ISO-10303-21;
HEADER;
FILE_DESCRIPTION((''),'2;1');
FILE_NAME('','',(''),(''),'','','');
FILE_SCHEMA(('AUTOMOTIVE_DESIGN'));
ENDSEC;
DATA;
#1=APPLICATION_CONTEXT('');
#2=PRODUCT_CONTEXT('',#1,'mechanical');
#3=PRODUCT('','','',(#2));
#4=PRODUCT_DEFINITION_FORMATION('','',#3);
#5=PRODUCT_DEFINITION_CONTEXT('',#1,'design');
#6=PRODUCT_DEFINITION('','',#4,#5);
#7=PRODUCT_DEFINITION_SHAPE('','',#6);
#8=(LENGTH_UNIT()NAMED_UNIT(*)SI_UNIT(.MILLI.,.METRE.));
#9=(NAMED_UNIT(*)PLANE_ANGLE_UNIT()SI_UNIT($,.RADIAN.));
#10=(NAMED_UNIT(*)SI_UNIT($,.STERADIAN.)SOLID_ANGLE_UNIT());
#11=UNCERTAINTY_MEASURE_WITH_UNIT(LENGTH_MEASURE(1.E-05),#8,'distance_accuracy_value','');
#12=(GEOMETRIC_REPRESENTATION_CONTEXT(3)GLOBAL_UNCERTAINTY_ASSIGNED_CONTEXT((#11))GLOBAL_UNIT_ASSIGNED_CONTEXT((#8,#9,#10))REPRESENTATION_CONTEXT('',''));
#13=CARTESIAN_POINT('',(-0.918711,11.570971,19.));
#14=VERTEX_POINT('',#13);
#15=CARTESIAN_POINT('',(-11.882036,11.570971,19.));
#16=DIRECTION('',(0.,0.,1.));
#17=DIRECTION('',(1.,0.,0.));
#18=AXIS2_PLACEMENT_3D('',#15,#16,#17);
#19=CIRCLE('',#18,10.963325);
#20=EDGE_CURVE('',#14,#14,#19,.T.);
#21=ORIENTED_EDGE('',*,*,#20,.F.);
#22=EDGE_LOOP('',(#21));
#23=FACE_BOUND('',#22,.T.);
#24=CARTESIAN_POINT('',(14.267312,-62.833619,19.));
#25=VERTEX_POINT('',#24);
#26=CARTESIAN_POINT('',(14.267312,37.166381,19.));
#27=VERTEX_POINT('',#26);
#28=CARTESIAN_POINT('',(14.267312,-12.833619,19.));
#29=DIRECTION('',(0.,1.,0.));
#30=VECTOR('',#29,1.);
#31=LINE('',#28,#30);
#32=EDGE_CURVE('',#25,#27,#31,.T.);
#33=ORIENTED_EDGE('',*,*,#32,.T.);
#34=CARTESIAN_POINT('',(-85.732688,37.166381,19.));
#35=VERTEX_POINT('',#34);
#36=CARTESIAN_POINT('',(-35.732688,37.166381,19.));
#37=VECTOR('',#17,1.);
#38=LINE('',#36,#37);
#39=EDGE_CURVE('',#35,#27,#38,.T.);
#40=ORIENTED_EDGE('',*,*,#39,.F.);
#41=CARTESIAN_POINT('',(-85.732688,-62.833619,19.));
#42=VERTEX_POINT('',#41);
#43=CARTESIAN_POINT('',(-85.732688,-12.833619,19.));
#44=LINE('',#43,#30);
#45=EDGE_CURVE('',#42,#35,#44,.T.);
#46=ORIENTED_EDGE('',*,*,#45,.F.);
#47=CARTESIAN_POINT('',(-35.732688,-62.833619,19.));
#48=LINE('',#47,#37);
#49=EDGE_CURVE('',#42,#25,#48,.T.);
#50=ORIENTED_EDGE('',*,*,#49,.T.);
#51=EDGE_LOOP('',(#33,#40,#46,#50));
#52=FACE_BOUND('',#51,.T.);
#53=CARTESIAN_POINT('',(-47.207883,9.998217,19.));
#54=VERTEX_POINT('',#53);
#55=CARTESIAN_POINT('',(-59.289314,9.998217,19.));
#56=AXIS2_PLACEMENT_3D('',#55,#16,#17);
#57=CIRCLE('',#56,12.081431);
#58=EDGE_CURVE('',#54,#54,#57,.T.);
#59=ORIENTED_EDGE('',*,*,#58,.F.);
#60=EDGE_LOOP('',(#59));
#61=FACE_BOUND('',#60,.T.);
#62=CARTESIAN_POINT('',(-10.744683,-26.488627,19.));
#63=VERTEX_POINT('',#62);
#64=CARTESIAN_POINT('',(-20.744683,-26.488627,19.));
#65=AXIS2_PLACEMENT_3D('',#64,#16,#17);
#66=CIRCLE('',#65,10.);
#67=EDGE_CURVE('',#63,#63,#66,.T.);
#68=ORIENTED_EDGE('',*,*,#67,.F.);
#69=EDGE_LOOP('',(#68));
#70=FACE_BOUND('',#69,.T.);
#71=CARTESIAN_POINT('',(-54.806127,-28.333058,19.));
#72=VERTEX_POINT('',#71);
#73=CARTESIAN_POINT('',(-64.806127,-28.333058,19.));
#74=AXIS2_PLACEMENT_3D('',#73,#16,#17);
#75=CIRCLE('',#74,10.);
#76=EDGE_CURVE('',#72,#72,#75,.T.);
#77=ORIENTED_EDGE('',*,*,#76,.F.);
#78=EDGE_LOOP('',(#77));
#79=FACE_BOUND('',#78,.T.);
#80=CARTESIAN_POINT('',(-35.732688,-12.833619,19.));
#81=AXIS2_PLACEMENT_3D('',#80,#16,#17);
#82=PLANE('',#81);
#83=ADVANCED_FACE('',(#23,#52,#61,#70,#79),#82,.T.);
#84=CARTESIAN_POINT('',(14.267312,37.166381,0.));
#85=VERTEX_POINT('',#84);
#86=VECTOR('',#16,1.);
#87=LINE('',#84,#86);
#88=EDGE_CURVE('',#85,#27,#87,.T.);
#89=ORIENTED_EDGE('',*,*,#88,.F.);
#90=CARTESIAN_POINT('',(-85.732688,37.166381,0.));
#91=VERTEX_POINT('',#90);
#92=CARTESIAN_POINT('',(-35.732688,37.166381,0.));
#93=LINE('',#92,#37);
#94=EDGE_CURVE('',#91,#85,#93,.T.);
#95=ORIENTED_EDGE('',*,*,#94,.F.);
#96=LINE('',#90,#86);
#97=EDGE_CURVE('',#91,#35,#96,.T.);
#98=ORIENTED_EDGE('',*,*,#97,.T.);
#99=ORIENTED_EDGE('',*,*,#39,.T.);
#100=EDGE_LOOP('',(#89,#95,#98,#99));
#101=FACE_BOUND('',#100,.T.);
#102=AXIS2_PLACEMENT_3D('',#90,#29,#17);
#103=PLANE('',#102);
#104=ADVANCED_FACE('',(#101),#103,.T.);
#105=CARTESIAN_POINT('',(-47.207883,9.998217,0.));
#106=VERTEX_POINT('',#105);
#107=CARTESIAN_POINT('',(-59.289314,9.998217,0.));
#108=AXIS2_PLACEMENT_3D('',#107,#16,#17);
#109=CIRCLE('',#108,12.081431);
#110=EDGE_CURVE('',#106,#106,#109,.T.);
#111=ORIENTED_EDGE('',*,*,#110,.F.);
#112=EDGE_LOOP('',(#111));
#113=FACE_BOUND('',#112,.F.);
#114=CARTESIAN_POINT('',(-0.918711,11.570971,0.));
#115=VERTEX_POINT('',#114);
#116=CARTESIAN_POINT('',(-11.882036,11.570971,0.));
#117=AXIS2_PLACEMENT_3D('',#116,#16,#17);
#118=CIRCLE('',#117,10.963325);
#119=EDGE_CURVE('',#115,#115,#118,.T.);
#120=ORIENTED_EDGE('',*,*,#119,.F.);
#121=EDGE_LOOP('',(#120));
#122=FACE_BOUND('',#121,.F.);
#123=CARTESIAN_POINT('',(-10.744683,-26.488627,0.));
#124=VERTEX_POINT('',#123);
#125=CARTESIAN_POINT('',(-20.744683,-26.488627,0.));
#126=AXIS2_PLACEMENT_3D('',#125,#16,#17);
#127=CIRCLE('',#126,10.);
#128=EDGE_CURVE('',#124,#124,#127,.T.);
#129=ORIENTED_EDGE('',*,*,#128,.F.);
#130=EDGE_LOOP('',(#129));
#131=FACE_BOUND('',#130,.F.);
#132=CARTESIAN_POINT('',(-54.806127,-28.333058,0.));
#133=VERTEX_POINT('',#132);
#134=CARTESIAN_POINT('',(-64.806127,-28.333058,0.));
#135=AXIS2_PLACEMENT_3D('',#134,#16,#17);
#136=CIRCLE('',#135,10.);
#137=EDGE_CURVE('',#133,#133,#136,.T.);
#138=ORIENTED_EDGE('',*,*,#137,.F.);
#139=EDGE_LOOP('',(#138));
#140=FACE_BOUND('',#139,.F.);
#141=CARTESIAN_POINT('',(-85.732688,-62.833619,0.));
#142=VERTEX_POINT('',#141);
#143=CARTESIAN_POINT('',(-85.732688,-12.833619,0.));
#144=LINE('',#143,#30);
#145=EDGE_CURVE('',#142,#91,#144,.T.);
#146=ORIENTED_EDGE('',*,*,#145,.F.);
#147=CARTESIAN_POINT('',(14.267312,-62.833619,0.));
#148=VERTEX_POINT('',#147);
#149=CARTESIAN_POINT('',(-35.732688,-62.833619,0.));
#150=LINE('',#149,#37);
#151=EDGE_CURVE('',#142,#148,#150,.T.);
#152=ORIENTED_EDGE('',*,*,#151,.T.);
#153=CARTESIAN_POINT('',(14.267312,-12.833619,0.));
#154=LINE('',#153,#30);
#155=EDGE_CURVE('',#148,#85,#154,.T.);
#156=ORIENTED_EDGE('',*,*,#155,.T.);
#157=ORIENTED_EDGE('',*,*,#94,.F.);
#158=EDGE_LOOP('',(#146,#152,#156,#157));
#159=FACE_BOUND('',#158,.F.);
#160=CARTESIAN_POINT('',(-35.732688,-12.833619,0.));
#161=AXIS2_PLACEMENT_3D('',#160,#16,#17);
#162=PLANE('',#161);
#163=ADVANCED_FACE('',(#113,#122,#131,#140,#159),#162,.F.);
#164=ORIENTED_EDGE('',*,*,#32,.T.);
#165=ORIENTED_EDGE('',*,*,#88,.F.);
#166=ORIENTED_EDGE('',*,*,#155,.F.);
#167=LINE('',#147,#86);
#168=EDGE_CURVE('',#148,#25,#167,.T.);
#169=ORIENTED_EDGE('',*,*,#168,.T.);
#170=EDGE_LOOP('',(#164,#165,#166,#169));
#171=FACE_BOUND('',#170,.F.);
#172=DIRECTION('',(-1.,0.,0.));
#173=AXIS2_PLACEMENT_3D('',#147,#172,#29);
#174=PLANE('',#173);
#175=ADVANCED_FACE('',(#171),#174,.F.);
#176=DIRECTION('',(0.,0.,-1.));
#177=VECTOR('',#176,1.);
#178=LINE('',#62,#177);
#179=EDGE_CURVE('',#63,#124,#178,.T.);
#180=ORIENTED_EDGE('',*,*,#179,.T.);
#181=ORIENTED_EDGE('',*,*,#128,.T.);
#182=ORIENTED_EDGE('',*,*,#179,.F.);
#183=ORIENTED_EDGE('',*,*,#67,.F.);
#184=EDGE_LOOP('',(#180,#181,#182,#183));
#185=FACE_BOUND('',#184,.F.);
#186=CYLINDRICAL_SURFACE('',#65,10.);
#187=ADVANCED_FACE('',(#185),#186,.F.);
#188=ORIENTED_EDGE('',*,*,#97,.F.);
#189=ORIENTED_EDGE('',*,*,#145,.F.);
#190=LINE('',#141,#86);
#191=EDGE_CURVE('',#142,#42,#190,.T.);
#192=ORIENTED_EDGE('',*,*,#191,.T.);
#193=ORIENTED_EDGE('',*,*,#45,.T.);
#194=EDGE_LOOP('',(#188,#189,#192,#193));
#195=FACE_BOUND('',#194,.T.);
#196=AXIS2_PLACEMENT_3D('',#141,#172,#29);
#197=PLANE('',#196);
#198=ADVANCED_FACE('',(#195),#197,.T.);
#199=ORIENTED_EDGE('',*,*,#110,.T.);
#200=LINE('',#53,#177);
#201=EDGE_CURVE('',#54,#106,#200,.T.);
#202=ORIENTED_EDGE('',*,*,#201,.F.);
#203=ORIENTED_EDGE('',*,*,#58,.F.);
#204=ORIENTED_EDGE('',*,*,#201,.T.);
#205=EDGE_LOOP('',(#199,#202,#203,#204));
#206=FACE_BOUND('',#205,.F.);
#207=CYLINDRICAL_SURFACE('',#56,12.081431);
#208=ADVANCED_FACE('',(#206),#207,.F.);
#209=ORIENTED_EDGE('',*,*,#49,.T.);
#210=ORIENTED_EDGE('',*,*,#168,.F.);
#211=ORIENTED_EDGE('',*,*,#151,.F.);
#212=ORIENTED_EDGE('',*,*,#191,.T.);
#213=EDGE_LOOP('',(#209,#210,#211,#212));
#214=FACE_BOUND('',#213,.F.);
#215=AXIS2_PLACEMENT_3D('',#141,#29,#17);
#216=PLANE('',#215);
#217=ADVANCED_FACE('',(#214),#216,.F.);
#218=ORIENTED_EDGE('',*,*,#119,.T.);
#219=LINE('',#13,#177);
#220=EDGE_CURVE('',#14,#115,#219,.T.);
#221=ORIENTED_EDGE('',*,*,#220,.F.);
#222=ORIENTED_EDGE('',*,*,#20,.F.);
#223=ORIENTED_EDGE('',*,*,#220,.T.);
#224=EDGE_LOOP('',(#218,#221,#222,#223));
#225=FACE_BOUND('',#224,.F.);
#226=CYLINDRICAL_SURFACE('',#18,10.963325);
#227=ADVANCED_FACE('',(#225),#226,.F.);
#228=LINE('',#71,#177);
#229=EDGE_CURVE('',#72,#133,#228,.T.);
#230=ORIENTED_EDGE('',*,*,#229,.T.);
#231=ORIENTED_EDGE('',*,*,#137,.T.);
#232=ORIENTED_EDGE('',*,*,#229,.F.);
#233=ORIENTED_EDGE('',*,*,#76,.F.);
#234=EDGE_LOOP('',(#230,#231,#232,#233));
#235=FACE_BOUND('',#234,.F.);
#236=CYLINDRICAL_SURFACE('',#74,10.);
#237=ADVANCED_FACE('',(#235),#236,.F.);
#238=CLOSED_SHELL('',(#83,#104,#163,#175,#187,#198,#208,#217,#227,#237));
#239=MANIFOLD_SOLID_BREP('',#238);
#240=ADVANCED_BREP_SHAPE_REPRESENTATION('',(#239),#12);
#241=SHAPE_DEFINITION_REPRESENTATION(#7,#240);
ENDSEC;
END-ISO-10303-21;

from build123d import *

# Parameters (mm, degrees)
F0_W     = 100
F0_H     = 100
F1_DEPTH = 19
F2_R     = 12.081431
F3_DEPTH = 19
F4_R     = 10.963325
F5_DEPTH = 19
F6_R     = 10
F7_DEPTH = 19


with BuildPart() as f1:
    # F0 (on Top) → F1 (new body)
    with BuildSketch(Plane.XY):
        with Locations((-35.732688, -12.833619)):
            Rectangle(F0_W, F0_H)
    extrude(amount=F1_DEPTH)

    # F2 (on face) → F3 (cut)
    with BuildSketch(Plane.XY.offset(19)):
        with Locations((-59.289314, 9.998217)):
            Circle(F2_R)
    extrude(amount=-F3_DEPTH, mode=Mode.SUBTRACT)

    # F4 (on face) → F5 (cut)
    with BuildSketch(Plane.XY.offset(19)):
        with Locations((-11.882036, 11.570971)):
            Circle(F4_R)
    extrude(amount=-F5_DEPTH, mode=Mode.SUBTRACT)

    # F6 (on face) → F7 (cut)
    with BuildSketch(Plane.XY.offset(19)):
        with Locations((-64.806127, -28.333058)):
            Circle(F6_R)
        with Locations((-20.744683, -26.488627)):
            Circle(F6_R)
    extrude(amount=-F7_DEPTH, mode=Mode.SUBTRACT)


solid = f1.part
